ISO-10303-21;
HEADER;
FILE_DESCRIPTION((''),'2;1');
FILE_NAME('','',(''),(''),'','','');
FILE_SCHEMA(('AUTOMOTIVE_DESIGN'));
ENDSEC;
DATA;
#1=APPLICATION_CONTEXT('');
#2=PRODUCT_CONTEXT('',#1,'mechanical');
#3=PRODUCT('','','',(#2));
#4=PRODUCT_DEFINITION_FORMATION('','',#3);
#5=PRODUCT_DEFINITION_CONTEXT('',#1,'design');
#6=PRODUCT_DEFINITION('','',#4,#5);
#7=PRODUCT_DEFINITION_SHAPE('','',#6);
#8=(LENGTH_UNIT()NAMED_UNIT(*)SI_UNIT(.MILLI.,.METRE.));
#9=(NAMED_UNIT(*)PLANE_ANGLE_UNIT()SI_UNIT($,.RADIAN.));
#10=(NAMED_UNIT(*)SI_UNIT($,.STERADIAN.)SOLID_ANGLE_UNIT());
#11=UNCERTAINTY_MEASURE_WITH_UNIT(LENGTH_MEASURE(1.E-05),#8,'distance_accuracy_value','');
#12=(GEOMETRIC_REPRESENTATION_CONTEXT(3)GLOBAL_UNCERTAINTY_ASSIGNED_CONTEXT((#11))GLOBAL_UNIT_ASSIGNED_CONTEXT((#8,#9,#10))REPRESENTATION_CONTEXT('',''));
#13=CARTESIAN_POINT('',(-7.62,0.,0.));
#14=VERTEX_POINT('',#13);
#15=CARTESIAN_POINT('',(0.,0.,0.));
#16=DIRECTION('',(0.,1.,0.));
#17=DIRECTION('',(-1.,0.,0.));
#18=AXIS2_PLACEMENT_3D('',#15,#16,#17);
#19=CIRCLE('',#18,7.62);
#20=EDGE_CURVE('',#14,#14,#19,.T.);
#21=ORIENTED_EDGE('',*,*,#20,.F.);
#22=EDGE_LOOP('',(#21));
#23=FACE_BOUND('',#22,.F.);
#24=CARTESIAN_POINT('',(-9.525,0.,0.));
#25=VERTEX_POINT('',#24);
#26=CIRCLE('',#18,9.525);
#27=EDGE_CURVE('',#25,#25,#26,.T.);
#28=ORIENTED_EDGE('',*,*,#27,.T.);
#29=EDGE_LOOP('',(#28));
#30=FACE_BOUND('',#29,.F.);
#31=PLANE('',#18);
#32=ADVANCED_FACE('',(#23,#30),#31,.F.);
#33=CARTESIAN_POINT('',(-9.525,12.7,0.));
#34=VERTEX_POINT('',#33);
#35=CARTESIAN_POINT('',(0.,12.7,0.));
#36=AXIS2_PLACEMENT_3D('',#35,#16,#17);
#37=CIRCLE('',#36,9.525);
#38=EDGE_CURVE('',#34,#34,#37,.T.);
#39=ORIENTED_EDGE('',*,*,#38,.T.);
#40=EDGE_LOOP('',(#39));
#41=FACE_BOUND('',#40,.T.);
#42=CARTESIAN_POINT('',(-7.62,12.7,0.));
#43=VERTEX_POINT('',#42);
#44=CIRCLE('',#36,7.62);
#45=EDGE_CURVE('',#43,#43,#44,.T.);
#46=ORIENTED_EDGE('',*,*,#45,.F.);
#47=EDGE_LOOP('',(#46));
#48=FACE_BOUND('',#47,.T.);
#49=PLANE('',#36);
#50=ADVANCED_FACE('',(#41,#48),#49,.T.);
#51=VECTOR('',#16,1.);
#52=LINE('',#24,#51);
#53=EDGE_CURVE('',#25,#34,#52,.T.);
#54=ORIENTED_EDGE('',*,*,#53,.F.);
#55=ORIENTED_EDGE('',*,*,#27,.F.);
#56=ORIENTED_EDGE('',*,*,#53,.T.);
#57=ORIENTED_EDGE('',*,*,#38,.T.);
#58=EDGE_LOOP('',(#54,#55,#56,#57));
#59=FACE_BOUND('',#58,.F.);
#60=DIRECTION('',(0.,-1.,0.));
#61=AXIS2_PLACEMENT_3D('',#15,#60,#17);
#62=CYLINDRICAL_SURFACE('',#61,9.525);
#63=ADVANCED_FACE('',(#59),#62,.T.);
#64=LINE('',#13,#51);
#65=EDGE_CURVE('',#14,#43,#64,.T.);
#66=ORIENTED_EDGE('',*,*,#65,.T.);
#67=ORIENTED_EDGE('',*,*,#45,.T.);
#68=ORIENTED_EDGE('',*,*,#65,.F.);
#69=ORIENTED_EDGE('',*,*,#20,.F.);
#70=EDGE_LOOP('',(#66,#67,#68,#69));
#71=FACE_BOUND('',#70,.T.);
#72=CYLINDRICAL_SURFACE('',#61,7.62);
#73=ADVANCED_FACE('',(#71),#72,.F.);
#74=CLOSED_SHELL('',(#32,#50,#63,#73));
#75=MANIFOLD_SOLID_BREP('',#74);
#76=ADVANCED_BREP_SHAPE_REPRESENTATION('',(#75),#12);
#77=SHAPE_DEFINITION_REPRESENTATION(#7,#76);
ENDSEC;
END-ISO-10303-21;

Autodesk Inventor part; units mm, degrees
ref_plane "YZ Plane" through (0, 0, 0) normal (1, 0, 0) x (0, 1, 0)
ref_plane "XZ Plane" through (0, 0, 0) normal (0, 1, 0) x (-1, 0, 0)
ref_plane "XY Plane" through (0, 0, 0) normal (0, 0, 1) x (1, 0, 0)
sketch "Sketch2" plane through (0, 0, 0) normal (0, 1, 0) x (-1, 0, 0)
  circle A0 centre (0, 0) radius 7.62
  circle A1 centre (0, 0) radius 9.525
  dimension "d0" = 15.24
  dimension "d1" = 19.05
extrude "Extrusion1" add sketch "Sketch2" along normal blind 12.7
properties part number "ELEV_033_SPACER7" material "ABS Plastic"
